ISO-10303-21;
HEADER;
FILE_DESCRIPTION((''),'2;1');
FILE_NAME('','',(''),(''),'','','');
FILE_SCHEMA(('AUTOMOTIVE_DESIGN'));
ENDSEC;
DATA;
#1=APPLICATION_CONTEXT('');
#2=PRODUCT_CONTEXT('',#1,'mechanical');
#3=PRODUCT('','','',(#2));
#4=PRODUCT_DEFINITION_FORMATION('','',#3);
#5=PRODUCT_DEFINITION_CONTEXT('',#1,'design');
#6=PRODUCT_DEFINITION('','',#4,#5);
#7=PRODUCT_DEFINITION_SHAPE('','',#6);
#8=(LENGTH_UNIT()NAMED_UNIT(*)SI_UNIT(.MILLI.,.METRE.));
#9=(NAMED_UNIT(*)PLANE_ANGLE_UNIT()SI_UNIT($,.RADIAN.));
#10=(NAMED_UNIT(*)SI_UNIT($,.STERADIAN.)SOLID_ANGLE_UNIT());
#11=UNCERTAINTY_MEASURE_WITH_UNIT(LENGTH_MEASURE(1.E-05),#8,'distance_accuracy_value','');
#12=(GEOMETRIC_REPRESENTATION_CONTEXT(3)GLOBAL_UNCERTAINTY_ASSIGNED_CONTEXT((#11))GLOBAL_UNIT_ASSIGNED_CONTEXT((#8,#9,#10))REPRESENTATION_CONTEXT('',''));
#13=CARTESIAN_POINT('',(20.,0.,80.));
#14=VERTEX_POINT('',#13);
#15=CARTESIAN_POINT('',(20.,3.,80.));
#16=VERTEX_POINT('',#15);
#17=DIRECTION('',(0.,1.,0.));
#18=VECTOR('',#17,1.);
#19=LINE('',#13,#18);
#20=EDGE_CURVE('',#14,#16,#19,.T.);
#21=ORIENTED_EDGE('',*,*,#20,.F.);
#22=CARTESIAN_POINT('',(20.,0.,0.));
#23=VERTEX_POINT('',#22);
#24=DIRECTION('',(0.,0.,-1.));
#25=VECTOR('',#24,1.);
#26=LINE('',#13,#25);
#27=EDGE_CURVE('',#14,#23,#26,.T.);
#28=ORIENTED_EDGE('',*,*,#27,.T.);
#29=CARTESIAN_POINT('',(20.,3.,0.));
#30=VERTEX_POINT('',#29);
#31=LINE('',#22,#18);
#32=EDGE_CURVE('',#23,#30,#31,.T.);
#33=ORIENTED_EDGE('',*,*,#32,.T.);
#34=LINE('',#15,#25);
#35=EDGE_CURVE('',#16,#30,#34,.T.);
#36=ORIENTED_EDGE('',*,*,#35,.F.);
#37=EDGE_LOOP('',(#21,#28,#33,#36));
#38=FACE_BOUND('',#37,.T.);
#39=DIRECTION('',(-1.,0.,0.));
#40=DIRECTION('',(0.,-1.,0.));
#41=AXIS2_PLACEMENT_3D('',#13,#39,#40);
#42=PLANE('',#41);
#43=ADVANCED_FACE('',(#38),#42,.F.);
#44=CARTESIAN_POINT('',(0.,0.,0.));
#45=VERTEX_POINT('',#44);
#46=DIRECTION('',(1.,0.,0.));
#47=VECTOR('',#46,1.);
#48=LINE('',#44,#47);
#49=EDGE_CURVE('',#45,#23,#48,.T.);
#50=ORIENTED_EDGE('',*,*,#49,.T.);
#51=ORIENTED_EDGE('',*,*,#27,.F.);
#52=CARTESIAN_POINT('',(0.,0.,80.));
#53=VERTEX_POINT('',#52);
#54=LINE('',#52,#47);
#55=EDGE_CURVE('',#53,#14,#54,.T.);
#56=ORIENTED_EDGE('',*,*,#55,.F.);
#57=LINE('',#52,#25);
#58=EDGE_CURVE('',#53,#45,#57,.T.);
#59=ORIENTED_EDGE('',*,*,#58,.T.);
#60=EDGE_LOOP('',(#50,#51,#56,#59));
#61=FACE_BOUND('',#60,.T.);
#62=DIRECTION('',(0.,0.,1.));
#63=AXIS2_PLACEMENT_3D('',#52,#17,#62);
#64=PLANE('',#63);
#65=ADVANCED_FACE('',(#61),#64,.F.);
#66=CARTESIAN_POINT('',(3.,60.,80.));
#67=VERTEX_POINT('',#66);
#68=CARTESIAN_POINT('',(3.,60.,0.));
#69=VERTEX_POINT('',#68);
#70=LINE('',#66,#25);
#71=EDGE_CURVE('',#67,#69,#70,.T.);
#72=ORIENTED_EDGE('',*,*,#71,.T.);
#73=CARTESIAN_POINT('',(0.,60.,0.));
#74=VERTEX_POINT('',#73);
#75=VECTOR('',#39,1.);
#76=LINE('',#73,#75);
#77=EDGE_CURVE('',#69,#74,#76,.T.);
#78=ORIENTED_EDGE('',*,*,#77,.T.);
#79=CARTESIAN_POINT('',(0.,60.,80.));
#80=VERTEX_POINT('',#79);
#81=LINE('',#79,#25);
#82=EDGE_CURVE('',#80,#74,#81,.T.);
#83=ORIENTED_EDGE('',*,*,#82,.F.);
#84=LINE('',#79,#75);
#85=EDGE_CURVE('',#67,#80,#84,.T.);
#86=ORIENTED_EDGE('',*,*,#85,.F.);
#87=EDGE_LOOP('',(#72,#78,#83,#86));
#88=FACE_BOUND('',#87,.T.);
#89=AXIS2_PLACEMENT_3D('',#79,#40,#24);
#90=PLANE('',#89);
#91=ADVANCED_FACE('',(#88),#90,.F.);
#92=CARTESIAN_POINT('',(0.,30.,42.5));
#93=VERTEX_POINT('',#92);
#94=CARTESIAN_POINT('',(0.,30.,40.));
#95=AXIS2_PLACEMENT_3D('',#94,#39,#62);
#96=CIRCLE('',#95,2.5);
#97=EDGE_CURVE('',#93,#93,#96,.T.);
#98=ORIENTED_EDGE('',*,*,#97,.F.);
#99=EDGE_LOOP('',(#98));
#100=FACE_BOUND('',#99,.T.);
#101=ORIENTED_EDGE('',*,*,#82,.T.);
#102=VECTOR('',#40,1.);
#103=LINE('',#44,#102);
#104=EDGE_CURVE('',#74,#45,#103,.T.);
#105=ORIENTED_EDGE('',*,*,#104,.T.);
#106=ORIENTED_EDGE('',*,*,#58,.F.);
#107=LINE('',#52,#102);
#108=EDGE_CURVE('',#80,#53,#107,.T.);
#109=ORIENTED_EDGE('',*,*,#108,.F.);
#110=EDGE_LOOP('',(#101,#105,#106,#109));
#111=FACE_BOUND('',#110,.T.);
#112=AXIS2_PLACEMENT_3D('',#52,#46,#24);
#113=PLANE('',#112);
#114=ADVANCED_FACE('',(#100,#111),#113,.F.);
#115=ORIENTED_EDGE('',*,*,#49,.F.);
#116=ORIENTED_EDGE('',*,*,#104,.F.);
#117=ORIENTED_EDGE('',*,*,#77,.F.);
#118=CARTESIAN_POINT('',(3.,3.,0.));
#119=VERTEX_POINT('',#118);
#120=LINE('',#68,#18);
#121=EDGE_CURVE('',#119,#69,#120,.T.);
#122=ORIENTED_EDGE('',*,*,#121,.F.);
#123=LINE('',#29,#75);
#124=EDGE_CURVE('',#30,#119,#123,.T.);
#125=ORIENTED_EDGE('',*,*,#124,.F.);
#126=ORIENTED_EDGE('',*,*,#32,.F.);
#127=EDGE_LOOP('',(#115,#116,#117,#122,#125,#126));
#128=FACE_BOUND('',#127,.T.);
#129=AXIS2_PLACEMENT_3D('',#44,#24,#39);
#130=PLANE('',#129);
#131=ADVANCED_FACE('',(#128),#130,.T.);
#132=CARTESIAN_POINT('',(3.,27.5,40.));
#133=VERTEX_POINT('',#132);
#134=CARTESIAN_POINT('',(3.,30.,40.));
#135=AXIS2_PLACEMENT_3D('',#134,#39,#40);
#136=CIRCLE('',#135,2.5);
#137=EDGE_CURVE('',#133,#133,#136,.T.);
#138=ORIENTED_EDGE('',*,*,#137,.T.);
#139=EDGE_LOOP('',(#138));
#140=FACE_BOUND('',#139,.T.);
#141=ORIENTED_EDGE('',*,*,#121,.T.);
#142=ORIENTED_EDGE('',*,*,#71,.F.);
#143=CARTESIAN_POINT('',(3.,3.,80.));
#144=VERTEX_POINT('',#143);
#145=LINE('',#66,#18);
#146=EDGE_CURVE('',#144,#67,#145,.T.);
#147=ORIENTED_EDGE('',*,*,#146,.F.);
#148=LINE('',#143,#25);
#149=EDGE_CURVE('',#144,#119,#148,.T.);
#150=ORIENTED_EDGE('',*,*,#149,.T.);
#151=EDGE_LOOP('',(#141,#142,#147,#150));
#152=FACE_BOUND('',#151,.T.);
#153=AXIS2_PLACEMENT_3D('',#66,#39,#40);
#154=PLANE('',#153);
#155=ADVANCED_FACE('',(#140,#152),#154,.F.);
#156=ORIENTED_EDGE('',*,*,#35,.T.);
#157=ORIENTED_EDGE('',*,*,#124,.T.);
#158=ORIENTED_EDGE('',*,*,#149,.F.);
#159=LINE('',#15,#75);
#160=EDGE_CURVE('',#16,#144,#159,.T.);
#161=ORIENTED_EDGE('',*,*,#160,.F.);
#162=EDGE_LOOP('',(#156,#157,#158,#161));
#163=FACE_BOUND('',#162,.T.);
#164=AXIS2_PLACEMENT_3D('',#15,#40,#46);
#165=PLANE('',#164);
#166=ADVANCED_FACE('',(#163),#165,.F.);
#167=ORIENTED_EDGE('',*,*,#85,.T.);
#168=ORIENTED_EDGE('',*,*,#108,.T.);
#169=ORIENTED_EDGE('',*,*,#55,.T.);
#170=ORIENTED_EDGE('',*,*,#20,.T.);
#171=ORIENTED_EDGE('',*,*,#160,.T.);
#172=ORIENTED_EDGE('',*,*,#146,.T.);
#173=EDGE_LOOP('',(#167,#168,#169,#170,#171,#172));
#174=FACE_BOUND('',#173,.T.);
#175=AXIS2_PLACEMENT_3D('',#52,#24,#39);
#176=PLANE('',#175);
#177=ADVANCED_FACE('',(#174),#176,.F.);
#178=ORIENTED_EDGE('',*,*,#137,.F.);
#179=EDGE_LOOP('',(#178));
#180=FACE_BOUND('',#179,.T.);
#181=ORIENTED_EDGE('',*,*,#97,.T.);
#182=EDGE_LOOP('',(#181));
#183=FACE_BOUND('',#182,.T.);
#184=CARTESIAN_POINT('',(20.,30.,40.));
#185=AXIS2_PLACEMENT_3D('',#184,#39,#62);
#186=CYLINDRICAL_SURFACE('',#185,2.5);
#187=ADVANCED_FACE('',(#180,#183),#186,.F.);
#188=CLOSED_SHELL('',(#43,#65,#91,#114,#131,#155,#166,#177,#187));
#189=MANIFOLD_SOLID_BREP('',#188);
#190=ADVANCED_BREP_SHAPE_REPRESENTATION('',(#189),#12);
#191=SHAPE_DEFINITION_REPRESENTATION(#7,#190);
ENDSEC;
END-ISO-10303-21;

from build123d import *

# Parameters (mm, degrees)
BOSS_EXTRUDE1_DEPTH = 80
SKETCH2_R           = 2.5
CUT_EXTRUDE1_DEPTH  = 21


with BuildPart() as part:
    # Sketch1 → Boss-Extrude1 (new body)
    with BuildSketch(Plane.XY):
        Polygon((0, 0), (20, 0), (20, 3), (3, 3), (3, 60), (0, 60), align=None)
    extrude(amount=BOSS_EXTRUDE1_DEPTH)

    # Sketch2 → Cut-Extrude1 (cut, through all)
    with BuildSketch(Plane.ZY):
        with Locations((40, 30)):
            Circle(SKETCH2_R)
    extrude(amount=-CUT_EXTRUDE1_DEPTH, mode=Mode.SUBTRACT)


solid = part.part
